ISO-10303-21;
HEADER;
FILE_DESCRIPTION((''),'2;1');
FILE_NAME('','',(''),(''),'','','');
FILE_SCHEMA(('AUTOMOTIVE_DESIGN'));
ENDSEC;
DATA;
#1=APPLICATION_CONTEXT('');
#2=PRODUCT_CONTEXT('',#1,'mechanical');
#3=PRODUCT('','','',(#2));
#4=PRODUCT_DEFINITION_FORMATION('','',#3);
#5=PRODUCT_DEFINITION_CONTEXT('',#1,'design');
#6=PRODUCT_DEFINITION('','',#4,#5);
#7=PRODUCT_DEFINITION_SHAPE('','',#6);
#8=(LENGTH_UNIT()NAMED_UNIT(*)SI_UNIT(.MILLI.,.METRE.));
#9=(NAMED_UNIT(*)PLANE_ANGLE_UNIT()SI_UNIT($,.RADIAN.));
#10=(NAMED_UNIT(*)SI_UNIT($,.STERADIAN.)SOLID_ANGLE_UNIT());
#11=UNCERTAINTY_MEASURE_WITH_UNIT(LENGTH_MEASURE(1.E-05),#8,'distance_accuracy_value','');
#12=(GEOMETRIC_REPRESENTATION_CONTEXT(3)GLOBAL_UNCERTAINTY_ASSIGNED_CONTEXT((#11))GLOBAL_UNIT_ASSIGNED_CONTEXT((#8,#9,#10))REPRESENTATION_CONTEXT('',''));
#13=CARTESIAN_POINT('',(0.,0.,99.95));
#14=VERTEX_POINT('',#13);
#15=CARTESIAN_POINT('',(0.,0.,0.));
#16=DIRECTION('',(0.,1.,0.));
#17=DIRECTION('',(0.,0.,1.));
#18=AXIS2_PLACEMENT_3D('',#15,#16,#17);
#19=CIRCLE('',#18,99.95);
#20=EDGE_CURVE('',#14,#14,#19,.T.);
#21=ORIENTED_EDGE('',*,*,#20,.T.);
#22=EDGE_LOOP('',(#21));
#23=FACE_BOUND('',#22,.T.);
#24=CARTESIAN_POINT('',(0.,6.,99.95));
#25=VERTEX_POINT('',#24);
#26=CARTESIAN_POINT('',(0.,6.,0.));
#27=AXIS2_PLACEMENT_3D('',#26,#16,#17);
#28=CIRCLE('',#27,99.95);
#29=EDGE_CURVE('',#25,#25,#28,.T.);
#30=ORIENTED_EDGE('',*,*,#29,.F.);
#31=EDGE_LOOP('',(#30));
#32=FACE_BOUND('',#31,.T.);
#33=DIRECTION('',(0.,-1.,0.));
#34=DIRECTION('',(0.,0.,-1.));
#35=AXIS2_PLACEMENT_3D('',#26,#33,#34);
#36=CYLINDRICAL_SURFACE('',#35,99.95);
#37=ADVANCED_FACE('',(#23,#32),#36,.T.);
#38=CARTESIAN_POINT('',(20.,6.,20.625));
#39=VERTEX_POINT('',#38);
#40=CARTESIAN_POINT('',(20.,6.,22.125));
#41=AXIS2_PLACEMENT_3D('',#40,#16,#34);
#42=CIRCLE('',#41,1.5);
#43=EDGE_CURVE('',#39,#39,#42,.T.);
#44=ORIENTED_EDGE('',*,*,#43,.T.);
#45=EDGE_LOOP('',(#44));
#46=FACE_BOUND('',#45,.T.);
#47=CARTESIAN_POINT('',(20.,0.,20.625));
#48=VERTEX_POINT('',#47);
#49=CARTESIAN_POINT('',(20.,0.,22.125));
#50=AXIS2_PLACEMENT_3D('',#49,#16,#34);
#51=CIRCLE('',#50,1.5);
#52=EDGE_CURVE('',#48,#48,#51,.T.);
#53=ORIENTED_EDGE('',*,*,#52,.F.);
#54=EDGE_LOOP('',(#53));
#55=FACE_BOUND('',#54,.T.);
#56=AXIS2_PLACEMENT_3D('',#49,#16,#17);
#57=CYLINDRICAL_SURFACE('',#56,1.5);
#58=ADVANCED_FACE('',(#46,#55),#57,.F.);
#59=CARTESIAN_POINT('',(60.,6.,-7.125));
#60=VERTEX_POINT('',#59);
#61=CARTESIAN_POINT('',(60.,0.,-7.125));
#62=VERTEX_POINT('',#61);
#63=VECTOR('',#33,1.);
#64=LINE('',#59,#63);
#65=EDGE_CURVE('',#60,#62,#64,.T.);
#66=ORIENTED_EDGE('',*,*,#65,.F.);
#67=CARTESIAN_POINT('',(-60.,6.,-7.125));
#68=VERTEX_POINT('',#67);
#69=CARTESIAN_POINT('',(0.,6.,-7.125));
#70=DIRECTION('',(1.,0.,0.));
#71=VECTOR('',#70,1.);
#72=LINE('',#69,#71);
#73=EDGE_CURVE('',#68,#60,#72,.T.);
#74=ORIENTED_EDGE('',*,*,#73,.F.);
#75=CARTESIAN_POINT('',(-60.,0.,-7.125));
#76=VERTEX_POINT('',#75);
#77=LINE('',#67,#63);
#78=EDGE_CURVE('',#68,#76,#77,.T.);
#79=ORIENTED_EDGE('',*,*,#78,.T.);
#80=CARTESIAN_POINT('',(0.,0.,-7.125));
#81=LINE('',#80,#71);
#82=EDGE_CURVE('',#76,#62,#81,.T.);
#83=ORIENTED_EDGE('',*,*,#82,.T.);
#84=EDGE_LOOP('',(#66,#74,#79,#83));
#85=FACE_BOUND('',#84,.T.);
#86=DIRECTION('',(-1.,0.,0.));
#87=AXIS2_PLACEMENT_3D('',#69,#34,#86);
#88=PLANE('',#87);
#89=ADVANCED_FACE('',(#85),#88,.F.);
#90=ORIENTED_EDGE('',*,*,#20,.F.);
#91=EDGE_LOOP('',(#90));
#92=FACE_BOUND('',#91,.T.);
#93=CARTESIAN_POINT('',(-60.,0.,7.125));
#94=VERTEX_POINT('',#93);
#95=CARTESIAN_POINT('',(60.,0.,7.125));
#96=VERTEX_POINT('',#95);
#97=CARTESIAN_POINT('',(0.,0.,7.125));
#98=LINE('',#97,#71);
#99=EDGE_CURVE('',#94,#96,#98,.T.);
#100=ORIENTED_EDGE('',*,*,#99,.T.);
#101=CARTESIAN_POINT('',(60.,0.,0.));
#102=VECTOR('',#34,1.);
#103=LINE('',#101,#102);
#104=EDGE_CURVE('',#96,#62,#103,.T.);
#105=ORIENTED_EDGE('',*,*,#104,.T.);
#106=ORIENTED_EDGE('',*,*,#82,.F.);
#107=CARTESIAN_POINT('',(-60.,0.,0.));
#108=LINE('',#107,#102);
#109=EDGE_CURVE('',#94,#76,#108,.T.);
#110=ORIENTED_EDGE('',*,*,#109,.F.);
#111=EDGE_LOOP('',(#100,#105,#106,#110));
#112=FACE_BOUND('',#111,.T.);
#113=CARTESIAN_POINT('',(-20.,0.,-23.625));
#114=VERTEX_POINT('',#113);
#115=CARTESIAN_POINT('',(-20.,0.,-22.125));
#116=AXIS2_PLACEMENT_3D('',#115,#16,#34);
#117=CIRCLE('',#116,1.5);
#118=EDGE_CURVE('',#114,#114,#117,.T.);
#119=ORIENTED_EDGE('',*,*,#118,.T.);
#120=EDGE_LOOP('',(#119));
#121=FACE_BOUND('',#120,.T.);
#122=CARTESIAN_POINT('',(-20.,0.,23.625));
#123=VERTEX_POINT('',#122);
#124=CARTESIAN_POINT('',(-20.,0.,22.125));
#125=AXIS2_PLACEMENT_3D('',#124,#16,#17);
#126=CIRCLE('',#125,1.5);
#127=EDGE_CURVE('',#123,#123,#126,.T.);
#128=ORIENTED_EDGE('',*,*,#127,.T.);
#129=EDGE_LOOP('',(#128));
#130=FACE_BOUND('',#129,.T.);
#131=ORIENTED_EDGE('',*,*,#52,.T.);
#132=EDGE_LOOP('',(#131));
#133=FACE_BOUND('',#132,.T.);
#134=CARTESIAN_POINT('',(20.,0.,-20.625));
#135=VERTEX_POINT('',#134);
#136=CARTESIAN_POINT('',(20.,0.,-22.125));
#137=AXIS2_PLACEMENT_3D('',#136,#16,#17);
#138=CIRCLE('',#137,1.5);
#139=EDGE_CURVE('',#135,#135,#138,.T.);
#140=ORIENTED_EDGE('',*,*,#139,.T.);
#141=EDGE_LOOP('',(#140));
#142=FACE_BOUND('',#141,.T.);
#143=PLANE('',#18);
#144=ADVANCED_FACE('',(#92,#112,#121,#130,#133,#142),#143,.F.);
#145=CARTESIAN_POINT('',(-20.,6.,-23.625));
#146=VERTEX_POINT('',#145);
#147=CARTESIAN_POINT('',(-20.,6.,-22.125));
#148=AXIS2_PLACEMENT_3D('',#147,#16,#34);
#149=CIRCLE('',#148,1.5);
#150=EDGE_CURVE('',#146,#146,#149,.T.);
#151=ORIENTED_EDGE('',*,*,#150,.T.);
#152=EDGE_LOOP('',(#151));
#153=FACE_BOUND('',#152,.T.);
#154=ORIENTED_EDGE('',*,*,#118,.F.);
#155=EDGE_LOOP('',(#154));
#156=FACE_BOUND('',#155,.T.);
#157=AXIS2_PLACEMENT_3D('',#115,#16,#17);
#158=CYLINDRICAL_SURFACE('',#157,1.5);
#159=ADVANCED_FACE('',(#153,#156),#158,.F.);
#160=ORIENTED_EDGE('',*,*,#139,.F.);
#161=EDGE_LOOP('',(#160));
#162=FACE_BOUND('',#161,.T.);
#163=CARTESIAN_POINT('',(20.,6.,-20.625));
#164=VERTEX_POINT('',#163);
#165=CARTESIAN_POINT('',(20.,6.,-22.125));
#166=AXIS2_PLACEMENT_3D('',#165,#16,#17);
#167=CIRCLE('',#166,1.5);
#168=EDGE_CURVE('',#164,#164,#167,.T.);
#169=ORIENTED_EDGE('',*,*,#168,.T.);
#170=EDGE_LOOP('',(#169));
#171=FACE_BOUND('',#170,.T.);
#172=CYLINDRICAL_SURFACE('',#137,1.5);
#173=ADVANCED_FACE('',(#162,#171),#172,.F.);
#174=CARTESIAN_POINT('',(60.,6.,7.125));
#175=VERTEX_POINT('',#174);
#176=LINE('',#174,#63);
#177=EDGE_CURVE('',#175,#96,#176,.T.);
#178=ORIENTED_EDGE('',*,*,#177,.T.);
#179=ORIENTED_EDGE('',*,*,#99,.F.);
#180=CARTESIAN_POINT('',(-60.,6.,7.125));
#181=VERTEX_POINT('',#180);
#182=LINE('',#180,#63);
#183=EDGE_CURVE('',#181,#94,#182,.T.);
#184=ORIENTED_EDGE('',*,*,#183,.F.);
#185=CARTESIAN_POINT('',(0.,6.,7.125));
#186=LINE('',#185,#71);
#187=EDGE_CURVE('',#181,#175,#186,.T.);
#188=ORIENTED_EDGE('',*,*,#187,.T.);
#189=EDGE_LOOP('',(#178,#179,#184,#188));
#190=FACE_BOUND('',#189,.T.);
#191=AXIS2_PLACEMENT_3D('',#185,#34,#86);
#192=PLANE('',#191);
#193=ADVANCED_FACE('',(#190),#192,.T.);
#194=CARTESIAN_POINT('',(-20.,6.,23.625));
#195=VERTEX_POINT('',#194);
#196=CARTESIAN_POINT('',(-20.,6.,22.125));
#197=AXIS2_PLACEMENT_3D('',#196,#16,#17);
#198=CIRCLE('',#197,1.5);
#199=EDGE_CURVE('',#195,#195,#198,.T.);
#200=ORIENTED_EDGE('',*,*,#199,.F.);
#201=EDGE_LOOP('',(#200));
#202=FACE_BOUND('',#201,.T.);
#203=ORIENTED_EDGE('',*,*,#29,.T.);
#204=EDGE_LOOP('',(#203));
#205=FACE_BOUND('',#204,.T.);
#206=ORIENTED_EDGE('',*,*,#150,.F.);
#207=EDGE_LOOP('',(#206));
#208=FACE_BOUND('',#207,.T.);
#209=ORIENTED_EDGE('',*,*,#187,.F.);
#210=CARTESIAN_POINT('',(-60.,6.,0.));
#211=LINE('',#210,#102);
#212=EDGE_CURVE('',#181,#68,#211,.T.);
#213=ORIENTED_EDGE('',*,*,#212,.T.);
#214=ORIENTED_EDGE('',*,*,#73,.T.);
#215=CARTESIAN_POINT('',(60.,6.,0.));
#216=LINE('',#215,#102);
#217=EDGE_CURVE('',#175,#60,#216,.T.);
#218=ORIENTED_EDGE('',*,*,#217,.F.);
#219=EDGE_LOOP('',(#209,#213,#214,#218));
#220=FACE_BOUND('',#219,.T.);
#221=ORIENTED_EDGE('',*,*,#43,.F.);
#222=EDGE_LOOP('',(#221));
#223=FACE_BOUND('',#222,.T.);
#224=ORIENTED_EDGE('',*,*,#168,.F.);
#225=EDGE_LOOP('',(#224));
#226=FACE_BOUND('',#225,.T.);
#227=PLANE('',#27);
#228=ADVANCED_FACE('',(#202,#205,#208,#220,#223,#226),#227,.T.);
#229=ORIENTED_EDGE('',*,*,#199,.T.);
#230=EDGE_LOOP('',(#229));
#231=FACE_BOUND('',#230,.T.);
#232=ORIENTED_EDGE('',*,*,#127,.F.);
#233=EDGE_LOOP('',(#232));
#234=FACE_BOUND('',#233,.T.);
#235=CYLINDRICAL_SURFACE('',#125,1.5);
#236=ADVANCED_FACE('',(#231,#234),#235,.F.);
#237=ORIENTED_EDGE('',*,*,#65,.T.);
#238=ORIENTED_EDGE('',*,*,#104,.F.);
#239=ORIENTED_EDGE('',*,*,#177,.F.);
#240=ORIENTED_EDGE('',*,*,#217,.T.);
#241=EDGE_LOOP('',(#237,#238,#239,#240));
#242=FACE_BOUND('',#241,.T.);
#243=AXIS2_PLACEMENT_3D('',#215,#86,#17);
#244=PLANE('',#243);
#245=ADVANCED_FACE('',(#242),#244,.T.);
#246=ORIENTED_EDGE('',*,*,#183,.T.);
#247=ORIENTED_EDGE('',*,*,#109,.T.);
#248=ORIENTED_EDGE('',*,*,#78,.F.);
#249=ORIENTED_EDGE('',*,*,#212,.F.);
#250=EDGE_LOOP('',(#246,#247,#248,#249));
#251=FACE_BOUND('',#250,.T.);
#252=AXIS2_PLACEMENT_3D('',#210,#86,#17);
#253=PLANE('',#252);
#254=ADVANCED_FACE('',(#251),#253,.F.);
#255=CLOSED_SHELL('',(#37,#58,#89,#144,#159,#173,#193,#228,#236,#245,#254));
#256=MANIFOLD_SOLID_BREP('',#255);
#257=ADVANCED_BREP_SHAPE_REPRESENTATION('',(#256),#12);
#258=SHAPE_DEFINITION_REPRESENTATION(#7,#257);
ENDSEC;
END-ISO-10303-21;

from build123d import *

# Parameters (mm, degrees)
SKETCH1_R           = 99.95
SKETCH1_W           = 120
SKETCH1_H           = 14.25
BOSS_EXTRUDE1_DEPTH = 6
SKETCH3_R           = 1.5
CUT_EXTRUDE1_DEPTH  = 142.477931141


with BuildPart() as part:
    # Sketch1 → Boss-Extrude1 (new body)
    with BuildSketch(Plane(origin=(0, 0, 0), x_dir=(1, 0, 0), z_dir=(0, 1, 0))):
        Circle(SKETCH1_R)
        Rectangle(SKETCH1_W, SKETCH1_H, mode=Mode.SUBTRACT)
    extrude(amount=BOSS_EXTRUDE1_DEPTH)

    # Sketch3 → Cut-Extrude1 (cut, through all)
    with BuildSketch(Plane(origin=(0, 6, 0), x_dir=(1, 0, 0), z_dir=(0, 1, 0))):
        with Locations((-20, -22.125)):
            Circle(SKETCH3_R)
        with Locations((20, -22.125)):
            Circle(SKETCH3_R)
        with Locations((20, 22.125)):
            Circle(SKETCH3_R)
        with Locations((-20, 22.125)):
            Circle(SKETCH3_R)
    extrude(amount=-CUT_EXTRUDE1_DEPTH, mode=Mode.SUBTRACT)


solid = part.part
